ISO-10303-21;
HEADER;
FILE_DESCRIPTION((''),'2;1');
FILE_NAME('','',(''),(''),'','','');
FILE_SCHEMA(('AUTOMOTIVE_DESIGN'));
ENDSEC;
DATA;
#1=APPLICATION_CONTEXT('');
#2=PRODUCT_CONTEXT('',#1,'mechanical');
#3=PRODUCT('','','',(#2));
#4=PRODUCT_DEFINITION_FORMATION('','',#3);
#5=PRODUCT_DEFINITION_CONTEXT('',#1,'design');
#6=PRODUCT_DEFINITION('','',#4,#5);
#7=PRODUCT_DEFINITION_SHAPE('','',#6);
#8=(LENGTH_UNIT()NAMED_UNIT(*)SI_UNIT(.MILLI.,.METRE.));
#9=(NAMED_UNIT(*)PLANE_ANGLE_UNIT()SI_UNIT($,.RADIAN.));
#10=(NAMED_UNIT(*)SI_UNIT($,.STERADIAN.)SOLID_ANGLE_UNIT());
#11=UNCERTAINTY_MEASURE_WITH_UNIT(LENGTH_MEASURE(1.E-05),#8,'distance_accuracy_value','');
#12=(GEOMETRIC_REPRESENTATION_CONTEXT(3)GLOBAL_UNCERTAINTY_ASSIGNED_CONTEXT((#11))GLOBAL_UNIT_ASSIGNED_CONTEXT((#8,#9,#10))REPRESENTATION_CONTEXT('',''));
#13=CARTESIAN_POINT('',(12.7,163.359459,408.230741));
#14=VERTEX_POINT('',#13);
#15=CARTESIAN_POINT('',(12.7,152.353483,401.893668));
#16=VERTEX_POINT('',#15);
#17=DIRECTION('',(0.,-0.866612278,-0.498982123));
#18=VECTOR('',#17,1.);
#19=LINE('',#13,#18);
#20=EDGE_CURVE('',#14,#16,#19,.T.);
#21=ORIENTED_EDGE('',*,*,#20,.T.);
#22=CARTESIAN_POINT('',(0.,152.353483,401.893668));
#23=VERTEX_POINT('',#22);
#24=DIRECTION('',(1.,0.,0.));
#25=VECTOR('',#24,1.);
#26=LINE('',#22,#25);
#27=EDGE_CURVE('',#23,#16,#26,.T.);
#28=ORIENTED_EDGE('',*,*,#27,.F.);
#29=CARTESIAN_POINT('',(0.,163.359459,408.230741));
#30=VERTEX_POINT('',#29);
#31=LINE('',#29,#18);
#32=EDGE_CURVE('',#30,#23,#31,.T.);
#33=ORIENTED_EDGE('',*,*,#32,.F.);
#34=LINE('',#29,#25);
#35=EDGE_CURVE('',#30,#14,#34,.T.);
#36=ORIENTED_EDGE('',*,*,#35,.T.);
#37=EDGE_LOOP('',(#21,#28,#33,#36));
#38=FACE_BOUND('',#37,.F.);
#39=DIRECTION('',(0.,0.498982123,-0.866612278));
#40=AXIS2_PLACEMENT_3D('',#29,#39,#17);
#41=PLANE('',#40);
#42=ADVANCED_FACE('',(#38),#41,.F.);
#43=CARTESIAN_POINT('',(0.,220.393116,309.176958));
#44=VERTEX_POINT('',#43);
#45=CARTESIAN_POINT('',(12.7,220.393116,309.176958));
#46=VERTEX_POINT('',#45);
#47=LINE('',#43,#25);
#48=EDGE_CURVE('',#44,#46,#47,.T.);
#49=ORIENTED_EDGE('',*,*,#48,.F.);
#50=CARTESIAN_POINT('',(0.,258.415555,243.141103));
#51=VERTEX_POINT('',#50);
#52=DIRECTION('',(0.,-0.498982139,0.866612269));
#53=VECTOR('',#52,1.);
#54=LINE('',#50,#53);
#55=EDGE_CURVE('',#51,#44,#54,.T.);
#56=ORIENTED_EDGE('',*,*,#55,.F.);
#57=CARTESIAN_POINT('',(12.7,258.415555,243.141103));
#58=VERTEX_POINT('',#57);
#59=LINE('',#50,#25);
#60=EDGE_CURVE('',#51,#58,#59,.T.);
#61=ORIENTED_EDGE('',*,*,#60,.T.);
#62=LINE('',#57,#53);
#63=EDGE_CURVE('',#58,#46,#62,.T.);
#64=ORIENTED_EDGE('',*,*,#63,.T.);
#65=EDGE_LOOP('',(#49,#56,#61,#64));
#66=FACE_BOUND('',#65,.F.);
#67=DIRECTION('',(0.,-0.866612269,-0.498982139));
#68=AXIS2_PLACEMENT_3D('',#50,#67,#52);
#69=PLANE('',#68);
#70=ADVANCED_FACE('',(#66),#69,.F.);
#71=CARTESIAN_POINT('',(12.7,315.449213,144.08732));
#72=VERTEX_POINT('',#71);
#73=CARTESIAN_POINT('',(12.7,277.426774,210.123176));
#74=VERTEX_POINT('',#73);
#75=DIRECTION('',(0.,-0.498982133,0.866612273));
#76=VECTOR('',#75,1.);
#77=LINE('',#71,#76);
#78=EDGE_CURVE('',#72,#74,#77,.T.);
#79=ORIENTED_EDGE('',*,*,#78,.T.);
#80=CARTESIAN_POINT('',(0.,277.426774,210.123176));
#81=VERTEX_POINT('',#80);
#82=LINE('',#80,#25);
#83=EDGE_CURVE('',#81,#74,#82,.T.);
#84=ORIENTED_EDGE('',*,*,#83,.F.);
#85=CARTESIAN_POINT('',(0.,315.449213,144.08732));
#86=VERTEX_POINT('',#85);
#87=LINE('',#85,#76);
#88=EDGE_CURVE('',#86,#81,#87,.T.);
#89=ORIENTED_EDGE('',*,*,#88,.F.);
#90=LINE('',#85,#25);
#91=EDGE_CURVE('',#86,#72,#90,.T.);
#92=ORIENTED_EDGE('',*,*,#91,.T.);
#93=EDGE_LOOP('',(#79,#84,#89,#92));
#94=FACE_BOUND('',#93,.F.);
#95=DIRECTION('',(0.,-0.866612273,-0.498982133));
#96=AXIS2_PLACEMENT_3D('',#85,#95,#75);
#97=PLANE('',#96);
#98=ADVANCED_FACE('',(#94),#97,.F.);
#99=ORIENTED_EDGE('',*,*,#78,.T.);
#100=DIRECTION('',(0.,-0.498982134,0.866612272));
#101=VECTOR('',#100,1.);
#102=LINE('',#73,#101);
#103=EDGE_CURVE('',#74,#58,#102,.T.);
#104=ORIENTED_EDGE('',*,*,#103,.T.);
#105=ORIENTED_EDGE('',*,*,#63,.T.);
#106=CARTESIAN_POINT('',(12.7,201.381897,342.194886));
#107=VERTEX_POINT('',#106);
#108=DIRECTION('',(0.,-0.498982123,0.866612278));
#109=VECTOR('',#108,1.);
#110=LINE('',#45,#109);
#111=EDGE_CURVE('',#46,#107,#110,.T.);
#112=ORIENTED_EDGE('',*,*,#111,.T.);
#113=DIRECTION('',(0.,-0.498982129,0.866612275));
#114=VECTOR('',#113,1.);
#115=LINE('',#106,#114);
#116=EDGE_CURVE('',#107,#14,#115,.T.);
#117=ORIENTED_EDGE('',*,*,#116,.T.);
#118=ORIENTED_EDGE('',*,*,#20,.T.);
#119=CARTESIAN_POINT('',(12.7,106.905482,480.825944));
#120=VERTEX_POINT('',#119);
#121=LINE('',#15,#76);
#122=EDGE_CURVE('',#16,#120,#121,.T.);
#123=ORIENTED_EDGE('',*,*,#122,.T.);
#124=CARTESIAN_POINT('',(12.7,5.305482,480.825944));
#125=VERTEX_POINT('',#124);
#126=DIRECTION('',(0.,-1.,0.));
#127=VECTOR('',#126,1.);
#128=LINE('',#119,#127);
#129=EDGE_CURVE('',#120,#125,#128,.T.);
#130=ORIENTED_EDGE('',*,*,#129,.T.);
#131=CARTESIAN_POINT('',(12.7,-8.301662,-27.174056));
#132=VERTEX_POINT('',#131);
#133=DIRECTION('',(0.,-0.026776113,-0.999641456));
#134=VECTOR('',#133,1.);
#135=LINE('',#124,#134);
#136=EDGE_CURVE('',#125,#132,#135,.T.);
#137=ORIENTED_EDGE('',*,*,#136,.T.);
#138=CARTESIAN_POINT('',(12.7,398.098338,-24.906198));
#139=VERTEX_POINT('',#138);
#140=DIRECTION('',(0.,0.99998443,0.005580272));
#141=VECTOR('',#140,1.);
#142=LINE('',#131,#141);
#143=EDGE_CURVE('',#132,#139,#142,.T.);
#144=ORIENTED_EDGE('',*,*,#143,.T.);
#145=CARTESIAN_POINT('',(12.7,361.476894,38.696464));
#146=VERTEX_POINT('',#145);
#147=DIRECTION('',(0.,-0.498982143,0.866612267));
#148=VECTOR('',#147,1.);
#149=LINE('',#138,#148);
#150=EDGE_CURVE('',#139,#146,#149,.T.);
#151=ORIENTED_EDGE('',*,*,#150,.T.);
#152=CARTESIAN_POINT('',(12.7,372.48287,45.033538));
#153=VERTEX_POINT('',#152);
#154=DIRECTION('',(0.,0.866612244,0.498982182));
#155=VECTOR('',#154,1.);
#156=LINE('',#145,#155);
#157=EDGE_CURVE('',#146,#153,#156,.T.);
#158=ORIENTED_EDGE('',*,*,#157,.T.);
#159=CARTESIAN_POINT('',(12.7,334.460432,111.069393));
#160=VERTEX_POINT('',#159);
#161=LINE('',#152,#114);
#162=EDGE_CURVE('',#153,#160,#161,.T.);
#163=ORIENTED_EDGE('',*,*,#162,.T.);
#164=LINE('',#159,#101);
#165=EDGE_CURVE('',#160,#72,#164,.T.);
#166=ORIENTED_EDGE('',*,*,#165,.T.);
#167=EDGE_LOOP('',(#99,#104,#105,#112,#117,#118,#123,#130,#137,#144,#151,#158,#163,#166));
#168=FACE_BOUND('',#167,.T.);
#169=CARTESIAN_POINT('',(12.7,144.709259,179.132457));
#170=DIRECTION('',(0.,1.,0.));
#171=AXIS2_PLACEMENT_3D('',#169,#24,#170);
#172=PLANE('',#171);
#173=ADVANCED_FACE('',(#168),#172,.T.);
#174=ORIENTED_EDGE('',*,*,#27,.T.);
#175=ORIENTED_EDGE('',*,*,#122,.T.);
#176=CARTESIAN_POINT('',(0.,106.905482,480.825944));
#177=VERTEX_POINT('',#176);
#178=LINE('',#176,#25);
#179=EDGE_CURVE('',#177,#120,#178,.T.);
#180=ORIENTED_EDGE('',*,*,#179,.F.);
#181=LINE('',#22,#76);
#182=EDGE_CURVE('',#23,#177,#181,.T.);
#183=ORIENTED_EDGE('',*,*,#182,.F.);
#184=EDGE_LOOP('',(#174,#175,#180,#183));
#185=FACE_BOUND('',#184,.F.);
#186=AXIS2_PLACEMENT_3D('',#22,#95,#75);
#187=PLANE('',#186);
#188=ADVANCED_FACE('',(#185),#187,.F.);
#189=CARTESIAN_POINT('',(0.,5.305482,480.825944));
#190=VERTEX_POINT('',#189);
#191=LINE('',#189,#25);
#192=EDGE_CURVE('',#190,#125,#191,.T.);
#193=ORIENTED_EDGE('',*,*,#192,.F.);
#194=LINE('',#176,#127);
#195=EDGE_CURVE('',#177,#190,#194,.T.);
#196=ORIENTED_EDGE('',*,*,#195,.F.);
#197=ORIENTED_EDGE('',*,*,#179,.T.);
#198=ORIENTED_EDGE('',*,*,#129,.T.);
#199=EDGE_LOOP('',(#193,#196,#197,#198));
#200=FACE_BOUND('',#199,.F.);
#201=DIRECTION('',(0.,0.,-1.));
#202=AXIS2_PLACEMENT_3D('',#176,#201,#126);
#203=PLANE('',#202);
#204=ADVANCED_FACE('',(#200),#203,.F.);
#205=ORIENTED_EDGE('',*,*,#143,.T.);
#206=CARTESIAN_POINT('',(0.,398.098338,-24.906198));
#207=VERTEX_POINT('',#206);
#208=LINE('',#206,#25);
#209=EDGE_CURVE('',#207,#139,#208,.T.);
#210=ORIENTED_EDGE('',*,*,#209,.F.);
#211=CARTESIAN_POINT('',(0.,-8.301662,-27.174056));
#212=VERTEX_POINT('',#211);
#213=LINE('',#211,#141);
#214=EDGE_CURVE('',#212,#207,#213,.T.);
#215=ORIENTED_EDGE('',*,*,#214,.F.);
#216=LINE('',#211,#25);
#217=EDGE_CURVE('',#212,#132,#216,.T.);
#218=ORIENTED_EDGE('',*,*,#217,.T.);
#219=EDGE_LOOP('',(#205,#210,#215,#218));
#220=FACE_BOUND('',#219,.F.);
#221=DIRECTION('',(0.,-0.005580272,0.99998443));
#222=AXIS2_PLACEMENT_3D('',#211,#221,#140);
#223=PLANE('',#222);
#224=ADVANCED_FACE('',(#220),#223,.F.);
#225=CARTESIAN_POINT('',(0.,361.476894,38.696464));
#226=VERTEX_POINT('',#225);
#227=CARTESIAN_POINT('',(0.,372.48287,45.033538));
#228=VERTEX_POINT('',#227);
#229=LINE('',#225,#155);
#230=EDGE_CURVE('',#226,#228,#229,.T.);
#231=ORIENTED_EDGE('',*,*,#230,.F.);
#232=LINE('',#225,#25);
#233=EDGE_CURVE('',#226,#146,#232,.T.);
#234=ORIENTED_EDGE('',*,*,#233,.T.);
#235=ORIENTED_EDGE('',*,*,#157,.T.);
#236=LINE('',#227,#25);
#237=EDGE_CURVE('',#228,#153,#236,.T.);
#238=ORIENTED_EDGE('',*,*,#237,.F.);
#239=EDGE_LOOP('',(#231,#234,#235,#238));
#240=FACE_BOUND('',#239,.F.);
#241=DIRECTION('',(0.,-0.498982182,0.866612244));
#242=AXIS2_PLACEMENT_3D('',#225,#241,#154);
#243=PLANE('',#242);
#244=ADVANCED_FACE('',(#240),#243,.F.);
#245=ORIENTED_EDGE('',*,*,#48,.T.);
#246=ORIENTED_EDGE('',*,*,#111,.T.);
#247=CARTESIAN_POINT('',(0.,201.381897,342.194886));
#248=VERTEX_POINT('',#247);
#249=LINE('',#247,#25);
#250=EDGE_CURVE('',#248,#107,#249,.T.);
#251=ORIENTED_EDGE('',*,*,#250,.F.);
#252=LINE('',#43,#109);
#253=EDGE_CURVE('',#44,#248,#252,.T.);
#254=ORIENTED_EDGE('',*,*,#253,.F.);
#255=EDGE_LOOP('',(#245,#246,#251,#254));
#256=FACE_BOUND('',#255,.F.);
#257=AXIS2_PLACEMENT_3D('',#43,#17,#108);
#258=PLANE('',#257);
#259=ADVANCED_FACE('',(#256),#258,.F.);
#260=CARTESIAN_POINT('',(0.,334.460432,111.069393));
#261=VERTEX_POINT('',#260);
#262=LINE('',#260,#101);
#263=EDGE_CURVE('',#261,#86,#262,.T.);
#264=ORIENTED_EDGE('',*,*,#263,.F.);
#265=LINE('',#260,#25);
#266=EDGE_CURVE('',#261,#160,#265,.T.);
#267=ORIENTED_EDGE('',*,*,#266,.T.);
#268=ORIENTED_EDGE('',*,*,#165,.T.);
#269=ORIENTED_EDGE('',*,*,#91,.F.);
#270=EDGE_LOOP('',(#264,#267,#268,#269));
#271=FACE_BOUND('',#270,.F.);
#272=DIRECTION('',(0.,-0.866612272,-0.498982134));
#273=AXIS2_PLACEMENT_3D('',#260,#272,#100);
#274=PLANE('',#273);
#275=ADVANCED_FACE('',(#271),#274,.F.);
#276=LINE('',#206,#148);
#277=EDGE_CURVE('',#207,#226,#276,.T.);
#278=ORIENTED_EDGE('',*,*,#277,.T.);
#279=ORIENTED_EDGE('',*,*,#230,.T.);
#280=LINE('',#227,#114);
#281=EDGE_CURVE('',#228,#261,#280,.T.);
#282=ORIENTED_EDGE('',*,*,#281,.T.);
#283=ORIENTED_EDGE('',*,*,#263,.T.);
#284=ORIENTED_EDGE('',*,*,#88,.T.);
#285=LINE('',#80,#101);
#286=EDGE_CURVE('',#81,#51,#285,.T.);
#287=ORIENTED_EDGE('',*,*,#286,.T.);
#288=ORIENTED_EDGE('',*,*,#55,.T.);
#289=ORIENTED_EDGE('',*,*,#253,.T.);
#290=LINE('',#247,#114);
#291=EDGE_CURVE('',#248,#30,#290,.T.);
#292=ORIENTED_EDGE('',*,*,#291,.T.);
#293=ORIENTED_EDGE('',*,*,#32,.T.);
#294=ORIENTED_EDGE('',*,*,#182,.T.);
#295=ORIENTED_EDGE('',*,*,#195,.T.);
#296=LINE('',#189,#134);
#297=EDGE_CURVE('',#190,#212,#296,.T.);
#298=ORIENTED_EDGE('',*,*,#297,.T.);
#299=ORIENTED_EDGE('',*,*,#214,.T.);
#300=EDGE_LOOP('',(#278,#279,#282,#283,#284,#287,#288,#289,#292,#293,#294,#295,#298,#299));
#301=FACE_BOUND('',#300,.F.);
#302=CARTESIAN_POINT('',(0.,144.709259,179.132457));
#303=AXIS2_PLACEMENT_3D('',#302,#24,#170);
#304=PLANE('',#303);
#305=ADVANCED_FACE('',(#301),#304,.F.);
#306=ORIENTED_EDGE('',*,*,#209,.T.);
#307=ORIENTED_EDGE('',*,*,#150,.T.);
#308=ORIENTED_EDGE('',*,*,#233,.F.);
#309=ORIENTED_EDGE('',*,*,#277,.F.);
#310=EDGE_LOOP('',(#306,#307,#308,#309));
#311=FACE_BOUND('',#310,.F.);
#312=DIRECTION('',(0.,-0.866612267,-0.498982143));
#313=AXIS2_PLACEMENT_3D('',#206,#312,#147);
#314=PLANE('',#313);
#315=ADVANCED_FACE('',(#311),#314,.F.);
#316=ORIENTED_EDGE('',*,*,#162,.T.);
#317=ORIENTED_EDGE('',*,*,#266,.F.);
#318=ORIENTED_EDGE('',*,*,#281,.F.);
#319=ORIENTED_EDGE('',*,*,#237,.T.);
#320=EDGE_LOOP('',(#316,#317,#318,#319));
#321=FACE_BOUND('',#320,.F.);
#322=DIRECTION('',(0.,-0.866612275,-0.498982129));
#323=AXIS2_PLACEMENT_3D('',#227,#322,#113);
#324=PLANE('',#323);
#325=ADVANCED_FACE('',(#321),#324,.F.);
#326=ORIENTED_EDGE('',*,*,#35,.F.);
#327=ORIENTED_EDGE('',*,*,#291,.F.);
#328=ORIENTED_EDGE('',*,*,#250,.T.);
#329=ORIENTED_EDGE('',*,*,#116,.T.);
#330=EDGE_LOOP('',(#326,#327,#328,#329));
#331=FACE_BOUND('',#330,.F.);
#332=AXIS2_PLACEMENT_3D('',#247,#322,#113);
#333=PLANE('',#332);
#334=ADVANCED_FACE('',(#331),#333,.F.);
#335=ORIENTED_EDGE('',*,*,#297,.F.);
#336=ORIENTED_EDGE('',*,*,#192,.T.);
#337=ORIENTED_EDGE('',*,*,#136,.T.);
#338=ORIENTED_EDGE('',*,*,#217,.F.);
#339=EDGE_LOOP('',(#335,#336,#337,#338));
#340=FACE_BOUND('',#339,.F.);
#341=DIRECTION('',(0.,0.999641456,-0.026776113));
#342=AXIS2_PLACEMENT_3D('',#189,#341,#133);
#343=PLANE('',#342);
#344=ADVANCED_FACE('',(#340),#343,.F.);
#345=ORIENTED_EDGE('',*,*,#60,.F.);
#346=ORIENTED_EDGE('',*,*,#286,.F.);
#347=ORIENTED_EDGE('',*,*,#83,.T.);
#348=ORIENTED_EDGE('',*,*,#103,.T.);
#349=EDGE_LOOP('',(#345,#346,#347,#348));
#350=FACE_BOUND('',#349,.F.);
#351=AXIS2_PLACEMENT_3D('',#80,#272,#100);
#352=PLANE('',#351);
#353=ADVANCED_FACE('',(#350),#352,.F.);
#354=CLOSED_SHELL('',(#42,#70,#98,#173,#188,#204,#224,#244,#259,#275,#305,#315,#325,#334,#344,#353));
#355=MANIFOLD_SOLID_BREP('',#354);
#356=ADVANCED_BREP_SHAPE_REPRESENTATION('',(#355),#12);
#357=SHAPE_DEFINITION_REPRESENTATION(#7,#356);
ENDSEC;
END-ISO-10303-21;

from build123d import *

# Parameters (mm, degrees)
F1_DEPTH = 12.7


with BuildPart() as f1:
    # F0 (on Right) → F1 (new body)
    with BuildSketch(Plane.YZ):
        Polygon((5.305482, 480.825944), (-8.301662, -27.174056), (398.098338, -24.906198), (361.476894, 38.696464), (152.353483, 401.893668), (106.905482, 480.825944), align=None)
        Polygon((152.353483, 401.893668), (361.476894, 38.696464), (372.48287, 45.033538), (334.460432, 111.069393), (315.449213, 144.08732), (277.426774, 210.123176), (258.415555, 243.141103), (220.393116, 309.176958), (201.381897, 342.194886), (163.359459, 408.230741), align=None)
    extrude(amount=F1_DEPTH)


solid = f1.part
